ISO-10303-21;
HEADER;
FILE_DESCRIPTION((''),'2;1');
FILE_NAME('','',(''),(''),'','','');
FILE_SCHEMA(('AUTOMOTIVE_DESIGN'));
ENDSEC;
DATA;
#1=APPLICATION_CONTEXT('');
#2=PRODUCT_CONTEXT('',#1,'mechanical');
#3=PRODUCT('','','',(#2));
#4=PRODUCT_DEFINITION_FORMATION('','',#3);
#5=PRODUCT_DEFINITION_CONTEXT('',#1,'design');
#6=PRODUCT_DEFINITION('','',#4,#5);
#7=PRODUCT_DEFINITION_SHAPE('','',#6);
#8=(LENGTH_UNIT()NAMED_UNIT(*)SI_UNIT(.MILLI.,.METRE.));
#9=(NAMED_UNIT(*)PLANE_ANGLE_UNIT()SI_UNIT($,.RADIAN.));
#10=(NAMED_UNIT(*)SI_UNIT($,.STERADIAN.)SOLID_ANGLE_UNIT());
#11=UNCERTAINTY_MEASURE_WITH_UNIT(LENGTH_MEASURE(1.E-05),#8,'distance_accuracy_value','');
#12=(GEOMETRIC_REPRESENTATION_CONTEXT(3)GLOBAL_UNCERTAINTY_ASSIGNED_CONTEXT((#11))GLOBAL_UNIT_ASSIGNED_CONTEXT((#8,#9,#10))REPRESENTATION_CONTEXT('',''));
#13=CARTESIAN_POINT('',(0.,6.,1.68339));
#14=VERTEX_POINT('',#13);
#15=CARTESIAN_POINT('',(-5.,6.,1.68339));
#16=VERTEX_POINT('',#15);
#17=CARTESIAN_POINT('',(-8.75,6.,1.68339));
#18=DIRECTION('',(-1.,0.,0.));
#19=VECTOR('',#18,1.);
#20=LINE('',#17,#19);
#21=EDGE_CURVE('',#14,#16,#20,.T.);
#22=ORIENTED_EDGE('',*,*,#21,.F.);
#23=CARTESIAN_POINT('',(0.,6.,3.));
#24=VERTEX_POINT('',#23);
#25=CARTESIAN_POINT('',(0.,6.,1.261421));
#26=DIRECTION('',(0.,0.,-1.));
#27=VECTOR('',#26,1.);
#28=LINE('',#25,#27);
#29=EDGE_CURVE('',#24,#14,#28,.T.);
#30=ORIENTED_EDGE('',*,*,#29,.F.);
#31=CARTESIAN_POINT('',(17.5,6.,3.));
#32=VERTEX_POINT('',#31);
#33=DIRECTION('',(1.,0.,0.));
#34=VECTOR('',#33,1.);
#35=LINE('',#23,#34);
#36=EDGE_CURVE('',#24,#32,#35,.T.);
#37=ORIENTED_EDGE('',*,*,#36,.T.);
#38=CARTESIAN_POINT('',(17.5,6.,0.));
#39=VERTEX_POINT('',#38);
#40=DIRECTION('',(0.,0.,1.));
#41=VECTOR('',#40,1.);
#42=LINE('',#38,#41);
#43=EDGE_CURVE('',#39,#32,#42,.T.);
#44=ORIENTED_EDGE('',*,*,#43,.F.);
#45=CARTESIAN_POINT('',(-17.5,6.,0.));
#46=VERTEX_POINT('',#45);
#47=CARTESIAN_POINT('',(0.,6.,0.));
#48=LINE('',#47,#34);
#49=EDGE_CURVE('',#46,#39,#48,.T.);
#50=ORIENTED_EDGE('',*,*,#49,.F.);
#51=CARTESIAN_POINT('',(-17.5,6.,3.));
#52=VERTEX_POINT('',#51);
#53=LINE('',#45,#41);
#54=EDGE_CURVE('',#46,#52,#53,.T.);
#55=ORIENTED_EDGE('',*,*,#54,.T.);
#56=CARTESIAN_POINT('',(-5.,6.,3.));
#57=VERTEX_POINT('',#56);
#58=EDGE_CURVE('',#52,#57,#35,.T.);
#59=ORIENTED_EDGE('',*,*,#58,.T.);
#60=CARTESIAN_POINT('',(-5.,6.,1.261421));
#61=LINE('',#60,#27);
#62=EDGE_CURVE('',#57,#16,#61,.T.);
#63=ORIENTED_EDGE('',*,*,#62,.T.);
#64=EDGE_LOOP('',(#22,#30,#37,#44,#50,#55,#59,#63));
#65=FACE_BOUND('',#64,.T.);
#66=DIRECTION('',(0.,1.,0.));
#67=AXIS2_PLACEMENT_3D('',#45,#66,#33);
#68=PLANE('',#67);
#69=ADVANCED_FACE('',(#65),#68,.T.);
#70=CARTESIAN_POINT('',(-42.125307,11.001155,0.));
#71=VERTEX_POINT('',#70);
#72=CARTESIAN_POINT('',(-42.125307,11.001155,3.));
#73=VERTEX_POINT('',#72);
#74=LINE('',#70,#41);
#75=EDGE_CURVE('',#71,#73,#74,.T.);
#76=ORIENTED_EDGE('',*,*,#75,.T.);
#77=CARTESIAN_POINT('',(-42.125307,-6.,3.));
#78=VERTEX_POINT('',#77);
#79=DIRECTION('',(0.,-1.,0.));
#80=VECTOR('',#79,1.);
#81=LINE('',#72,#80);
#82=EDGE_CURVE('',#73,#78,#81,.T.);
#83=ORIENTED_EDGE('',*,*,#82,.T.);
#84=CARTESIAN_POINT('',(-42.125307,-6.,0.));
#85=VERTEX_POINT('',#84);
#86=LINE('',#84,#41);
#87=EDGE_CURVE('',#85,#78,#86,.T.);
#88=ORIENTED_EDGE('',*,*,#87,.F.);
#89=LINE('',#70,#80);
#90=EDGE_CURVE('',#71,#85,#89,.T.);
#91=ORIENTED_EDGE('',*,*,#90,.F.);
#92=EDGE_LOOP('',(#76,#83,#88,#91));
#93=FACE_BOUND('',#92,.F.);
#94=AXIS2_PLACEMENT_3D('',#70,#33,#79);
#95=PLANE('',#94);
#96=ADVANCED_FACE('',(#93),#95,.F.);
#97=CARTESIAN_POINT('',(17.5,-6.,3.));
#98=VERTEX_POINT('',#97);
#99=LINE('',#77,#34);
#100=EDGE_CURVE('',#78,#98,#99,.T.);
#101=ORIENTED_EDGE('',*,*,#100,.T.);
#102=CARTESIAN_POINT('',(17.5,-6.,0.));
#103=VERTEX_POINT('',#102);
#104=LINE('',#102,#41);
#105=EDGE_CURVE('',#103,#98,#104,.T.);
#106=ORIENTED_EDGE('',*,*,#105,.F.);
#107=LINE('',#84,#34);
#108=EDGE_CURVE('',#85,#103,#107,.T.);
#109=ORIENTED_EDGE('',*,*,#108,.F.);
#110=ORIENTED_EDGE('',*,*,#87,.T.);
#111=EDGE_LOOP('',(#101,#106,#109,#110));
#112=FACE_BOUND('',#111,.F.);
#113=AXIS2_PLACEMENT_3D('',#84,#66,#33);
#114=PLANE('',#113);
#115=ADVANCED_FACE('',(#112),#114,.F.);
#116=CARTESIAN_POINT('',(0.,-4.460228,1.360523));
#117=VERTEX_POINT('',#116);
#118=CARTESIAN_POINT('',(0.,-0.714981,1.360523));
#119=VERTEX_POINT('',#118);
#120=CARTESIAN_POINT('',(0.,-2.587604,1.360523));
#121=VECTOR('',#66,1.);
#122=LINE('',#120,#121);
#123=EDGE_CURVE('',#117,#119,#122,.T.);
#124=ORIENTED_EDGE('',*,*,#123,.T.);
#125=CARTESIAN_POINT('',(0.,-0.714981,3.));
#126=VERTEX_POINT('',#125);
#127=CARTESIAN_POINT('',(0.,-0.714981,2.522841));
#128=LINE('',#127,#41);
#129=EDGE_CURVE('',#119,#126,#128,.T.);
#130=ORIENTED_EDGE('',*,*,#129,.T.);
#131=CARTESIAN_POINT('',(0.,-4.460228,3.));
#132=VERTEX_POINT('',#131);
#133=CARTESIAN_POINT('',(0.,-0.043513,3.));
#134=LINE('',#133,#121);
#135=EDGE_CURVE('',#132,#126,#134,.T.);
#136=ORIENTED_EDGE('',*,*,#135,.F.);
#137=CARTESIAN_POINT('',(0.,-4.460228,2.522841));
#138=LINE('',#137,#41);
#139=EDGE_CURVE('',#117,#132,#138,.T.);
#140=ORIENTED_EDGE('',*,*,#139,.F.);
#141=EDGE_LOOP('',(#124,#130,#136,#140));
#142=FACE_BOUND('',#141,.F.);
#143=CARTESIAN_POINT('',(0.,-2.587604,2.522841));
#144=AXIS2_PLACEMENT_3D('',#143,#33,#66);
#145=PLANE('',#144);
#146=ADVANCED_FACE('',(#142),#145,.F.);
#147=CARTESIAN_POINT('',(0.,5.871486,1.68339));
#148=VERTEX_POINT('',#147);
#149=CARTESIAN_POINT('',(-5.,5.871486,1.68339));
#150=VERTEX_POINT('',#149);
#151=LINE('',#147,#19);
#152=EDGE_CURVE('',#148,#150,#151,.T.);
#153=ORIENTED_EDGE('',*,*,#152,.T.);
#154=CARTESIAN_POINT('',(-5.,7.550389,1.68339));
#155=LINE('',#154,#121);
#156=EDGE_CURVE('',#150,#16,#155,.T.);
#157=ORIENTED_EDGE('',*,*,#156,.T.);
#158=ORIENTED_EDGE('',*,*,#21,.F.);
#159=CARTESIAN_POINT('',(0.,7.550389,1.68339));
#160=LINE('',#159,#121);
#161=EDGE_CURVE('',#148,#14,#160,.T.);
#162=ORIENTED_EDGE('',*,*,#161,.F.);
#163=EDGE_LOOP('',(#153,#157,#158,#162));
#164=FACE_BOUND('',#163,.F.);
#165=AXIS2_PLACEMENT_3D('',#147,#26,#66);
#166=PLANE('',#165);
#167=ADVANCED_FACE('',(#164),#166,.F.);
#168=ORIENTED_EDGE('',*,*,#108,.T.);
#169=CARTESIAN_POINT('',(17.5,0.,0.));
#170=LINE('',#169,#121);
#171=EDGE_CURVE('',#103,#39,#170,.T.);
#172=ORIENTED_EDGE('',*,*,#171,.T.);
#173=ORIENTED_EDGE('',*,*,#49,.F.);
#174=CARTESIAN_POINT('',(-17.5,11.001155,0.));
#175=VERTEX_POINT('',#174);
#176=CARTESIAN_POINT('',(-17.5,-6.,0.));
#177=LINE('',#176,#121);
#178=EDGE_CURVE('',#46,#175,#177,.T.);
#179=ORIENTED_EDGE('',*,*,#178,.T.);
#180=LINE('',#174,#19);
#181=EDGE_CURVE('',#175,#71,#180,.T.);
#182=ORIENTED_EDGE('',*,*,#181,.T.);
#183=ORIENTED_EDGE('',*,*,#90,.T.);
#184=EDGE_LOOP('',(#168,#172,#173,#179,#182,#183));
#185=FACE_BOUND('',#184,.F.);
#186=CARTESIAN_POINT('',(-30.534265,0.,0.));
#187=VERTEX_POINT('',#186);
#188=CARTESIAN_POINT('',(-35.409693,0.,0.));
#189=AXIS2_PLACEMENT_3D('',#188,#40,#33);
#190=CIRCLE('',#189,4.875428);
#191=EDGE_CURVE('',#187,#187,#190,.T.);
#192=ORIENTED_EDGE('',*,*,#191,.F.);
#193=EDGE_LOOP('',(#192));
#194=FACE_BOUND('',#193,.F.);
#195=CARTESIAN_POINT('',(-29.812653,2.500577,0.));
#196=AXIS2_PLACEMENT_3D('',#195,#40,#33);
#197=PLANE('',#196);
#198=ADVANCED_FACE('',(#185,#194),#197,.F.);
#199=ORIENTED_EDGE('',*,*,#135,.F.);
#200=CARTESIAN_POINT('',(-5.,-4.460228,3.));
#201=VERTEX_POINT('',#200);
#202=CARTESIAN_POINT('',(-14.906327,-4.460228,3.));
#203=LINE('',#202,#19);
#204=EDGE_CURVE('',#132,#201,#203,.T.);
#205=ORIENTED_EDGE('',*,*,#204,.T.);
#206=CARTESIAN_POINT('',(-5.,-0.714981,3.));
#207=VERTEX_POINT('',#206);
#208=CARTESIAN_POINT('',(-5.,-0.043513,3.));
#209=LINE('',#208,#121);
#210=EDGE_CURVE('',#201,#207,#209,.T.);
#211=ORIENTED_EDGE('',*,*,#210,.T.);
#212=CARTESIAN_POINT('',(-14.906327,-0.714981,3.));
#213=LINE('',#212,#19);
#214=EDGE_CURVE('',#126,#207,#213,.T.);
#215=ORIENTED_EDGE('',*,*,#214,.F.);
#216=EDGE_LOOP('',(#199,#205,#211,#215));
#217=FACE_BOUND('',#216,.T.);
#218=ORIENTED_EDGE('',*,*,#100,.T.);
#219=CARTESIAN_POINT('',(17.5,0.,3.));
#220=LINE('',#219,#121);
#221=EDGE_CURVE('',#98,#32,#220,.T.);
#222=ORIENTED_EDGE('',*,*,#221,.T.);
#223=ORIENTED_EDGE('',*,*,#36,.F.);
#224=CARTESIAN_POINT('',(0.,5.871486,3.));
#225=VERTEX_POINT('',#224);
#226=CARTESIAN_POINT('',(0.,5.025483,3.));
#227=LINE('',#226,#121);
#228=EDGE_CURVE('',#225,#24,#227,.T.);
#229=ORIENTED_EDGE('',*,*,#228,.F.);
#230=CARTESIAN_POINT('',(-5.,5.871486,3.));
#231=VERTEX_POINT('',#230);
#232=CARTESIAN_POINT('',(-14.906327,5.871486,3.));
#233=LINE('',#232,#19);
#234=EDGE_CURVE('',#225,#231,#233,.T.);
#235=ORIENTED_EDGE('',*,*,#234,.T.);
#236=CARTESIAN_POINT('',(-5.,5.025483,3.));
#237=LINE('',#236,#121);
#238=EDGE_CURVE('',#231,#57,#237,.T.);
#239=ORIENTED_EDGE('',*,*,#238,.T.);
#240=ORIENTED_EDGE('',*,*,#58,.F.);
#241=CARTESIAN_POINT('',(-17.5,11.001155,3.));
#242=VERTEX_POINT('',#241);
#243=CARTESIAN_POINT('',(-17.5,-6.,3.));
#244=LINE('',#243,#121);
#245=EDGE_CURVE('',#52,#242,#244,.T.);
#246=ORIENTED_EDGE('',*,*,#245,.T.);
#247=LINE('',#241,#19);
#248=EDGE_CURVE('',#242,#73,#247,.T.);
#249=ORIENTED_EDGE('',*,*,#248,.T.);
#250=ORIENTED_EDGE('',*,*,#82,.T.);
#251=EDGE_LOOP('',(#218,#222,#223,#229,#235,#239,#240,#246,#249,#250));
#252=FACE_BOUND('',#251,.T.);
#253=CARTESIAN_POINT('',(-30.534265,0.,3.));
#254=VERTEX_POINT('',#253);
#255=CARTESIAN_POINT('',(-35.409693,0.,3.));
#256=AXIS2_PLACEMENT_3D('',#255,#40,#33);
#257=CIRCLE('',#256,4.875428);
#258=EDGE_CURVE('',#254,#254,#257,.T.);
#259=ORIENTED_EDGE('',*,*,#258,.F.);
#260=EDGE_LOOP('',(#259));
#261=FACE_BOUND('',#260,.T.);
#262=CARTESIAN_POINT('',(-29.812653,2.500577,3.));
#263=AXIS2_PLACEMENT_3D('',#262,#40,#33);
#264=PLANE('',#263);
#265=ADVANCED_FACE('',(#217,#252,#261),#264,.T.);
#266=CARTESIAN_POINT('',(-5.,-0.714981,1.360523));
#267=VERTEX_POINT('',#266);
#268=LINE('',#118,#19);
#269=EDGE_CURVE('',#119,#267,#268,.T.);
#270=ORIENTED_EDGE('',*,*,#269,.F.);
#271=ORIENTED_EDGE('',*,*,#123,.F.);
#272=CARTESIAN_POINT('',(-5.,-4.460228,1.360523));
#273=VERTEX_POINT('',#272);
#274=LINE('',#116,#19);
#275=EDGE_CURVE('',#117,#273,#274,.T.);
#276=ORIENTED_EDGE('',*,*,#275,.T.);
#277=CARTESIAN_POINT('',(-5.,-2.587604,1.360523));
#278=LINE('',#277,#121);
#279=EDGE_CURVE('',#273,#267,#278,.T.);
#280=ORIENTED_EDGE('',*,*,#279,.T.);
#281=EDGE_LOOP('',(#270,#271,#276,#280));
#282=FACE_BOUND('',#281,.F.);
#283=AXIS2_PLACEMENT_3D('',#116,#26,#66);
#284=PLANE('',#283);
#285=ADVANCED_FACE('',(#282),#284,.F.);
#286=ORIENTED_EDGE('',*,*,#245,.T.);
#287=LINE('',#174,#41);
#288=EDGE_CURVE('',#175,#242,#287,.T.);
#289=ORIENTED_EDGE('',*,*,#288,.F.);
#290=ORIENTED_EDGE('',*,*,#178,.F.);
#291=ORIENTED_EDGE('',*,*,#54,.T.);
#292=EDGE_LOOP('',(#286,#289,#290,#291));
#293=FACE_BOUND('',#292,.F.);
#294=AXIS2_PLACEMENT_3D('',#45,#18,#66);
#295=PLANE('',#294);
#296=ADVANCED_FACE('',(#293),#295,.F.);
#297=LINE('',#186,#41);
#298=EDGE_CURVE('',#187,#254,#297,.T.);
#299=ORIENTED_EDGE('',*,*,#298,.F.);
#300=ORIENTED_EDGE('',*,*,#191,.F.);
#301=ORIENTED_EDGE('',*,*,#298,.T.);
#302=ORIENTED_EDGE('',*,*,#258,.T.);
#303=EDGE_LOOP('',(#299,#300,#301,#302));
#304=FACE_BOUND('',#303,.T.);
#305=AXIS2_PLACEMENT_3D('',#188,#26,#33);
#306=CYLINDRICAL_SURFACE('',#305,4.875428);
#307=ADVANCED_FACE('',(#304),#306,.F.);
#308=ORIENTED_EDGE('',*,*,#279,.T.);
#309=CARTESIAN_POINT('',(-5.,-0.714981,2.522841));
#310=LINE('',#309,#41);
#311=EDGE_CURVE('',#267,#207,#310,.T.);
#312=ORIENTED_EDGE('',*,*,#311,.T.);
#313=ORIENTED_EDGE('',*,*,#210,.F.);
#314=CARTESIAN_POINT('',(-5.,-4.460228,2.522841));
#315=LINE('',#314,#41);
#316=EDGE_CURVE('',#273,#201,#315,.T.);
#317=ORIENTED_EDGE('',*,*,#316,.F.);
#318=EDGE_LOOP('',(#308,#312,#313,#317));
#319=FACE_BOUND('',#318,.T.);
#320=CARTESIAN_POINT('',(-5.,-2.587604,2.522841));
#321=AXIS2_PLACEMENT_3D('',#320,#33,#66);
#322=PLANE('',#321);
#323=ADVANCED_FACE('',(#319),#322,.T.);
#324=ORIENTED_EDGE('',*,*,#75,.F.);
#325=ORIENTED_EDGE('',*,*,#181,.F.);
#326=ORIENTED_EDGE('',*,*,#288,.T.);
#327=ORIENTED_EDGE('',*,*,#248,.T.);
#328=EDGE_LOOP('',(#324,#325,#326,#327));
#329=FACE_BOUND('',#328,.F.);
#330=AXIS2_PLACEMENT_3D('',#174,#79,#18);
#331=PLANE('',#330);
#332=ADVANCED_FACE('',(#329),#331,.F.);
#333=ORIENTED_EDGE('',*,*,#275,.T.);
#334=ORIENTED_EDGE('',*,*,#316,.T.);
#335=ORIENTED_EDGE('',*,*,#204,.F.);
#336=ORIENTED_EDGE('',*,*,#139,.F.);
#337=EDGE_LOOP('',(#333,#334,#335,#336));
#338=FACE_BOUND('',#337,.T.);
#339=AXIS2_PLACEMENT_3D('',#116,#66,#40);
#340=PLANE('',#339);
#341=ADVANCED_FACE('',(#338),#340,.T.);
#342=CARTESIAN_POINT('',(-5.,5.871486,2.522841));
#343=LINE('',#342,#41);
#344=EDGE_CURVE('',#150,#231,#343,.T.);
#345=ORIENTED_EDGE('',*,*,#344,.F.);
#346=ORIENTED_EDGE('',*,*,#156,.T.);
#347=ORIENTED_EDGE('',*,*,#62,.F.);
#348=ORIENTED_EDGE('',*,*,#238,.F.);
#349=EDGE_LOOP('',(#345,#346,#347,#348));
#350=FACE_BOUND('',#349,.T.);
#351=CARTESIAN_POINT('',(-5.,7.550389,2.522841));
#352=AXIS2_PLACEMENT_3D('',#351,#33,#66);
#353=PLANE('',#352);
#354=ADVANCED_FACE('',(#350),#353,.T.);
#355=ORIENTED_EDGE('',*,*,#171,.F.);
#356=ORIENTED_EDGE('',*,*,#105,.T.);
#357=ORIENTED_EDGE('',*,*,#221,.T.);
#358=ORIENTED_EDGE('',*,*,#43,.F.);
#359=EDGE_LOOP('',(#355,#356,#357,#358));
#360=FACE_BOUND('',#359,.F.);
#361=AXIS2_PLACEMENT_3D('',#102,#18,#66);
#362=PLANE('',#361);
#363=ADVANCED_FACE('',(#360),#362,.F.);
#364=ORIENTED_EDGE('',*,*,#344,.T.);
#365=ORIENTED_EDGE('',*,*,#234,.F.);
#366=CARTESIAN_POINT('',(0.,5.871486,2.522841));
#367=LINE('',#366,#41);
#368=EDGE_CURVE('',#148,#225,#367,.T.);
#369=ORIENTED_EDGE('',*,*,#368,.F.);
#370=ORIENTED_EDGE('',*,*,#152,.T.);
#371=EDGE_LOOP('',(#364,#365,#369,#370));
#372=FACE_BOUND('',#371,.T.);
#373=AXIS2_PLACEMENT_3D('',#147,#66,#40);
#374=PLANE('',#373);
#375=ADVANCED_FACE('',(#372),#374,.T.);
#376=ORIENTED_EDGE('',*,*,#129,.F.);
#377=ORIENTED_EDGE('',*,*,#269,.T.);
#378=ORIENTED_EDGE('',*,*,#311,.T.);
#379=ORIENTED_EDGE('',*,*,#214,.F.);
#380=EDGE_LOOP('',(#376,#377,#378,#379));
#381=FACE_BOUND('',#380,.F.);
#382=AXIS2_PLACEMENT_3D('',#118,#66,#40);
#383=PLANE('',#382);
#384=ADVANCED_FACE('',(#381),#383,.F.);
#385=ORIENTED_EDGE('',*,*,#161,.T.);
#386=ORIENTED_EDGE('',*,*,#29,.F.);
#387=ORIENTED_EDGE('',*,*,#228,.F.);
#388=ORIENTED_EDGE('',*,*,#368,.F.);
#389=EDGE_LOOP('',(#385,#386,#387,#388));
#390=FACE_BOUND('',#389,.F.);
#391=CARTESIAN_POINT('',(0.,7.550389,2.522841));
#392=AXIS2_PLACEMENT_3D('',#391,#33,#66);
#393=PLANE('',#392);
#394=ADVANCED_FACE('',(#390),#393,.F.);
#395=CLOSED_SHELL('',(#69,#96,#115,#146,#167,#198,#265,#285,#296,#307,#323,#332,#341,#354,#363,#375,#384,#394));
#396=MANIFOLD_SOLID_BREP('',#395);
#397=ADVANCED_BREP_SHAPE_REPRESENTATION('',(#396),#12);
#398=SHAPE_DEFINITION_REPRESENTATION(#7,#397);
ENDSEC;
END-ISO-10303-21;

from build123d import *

# Parameters (mm, degrees)
F0_R     = 4.875428
F0_W     = 35
F0_H     = 12
F1_DEPTH = 3
F2_W     = 3.357807
F2_H     = 1.678903
F2_W_2   = 3.745247
F2_H_2   = 2.324635
F3_DEPTH = 5


with BuildPart() as f1:
    # F0 (on Top) → F1 (new body)
    with BuildSketch(Plane.XY):
        Polygon((-42.125307, -6), (-17.5, -6), (-17.5, 6), (-17.5, 11.001155), (-42.125307, 11.001155), align=None)
        with Locations((-35.409693, 0)):
            Circle(F0_R, mode=Mode.SUBTRACT)
        Rectangle(F0_W, F0_H)
    extrude(amount=F1_DEPTH)

    # F2 (on Right) → F3 (cut)
    with BuildSketch(Plane.YZ):
        with Locations((7.550389, 2.522841)):
            Rectangle(F2_W, F2_H)
        with Locations((-2.587604, 2.522841)):
            Rectangle(F2_W_2, F2_H_2)
    extrude(amount=-F3_DEPTH, mode=Mode.SUBTRACT)


solid = f1.part
